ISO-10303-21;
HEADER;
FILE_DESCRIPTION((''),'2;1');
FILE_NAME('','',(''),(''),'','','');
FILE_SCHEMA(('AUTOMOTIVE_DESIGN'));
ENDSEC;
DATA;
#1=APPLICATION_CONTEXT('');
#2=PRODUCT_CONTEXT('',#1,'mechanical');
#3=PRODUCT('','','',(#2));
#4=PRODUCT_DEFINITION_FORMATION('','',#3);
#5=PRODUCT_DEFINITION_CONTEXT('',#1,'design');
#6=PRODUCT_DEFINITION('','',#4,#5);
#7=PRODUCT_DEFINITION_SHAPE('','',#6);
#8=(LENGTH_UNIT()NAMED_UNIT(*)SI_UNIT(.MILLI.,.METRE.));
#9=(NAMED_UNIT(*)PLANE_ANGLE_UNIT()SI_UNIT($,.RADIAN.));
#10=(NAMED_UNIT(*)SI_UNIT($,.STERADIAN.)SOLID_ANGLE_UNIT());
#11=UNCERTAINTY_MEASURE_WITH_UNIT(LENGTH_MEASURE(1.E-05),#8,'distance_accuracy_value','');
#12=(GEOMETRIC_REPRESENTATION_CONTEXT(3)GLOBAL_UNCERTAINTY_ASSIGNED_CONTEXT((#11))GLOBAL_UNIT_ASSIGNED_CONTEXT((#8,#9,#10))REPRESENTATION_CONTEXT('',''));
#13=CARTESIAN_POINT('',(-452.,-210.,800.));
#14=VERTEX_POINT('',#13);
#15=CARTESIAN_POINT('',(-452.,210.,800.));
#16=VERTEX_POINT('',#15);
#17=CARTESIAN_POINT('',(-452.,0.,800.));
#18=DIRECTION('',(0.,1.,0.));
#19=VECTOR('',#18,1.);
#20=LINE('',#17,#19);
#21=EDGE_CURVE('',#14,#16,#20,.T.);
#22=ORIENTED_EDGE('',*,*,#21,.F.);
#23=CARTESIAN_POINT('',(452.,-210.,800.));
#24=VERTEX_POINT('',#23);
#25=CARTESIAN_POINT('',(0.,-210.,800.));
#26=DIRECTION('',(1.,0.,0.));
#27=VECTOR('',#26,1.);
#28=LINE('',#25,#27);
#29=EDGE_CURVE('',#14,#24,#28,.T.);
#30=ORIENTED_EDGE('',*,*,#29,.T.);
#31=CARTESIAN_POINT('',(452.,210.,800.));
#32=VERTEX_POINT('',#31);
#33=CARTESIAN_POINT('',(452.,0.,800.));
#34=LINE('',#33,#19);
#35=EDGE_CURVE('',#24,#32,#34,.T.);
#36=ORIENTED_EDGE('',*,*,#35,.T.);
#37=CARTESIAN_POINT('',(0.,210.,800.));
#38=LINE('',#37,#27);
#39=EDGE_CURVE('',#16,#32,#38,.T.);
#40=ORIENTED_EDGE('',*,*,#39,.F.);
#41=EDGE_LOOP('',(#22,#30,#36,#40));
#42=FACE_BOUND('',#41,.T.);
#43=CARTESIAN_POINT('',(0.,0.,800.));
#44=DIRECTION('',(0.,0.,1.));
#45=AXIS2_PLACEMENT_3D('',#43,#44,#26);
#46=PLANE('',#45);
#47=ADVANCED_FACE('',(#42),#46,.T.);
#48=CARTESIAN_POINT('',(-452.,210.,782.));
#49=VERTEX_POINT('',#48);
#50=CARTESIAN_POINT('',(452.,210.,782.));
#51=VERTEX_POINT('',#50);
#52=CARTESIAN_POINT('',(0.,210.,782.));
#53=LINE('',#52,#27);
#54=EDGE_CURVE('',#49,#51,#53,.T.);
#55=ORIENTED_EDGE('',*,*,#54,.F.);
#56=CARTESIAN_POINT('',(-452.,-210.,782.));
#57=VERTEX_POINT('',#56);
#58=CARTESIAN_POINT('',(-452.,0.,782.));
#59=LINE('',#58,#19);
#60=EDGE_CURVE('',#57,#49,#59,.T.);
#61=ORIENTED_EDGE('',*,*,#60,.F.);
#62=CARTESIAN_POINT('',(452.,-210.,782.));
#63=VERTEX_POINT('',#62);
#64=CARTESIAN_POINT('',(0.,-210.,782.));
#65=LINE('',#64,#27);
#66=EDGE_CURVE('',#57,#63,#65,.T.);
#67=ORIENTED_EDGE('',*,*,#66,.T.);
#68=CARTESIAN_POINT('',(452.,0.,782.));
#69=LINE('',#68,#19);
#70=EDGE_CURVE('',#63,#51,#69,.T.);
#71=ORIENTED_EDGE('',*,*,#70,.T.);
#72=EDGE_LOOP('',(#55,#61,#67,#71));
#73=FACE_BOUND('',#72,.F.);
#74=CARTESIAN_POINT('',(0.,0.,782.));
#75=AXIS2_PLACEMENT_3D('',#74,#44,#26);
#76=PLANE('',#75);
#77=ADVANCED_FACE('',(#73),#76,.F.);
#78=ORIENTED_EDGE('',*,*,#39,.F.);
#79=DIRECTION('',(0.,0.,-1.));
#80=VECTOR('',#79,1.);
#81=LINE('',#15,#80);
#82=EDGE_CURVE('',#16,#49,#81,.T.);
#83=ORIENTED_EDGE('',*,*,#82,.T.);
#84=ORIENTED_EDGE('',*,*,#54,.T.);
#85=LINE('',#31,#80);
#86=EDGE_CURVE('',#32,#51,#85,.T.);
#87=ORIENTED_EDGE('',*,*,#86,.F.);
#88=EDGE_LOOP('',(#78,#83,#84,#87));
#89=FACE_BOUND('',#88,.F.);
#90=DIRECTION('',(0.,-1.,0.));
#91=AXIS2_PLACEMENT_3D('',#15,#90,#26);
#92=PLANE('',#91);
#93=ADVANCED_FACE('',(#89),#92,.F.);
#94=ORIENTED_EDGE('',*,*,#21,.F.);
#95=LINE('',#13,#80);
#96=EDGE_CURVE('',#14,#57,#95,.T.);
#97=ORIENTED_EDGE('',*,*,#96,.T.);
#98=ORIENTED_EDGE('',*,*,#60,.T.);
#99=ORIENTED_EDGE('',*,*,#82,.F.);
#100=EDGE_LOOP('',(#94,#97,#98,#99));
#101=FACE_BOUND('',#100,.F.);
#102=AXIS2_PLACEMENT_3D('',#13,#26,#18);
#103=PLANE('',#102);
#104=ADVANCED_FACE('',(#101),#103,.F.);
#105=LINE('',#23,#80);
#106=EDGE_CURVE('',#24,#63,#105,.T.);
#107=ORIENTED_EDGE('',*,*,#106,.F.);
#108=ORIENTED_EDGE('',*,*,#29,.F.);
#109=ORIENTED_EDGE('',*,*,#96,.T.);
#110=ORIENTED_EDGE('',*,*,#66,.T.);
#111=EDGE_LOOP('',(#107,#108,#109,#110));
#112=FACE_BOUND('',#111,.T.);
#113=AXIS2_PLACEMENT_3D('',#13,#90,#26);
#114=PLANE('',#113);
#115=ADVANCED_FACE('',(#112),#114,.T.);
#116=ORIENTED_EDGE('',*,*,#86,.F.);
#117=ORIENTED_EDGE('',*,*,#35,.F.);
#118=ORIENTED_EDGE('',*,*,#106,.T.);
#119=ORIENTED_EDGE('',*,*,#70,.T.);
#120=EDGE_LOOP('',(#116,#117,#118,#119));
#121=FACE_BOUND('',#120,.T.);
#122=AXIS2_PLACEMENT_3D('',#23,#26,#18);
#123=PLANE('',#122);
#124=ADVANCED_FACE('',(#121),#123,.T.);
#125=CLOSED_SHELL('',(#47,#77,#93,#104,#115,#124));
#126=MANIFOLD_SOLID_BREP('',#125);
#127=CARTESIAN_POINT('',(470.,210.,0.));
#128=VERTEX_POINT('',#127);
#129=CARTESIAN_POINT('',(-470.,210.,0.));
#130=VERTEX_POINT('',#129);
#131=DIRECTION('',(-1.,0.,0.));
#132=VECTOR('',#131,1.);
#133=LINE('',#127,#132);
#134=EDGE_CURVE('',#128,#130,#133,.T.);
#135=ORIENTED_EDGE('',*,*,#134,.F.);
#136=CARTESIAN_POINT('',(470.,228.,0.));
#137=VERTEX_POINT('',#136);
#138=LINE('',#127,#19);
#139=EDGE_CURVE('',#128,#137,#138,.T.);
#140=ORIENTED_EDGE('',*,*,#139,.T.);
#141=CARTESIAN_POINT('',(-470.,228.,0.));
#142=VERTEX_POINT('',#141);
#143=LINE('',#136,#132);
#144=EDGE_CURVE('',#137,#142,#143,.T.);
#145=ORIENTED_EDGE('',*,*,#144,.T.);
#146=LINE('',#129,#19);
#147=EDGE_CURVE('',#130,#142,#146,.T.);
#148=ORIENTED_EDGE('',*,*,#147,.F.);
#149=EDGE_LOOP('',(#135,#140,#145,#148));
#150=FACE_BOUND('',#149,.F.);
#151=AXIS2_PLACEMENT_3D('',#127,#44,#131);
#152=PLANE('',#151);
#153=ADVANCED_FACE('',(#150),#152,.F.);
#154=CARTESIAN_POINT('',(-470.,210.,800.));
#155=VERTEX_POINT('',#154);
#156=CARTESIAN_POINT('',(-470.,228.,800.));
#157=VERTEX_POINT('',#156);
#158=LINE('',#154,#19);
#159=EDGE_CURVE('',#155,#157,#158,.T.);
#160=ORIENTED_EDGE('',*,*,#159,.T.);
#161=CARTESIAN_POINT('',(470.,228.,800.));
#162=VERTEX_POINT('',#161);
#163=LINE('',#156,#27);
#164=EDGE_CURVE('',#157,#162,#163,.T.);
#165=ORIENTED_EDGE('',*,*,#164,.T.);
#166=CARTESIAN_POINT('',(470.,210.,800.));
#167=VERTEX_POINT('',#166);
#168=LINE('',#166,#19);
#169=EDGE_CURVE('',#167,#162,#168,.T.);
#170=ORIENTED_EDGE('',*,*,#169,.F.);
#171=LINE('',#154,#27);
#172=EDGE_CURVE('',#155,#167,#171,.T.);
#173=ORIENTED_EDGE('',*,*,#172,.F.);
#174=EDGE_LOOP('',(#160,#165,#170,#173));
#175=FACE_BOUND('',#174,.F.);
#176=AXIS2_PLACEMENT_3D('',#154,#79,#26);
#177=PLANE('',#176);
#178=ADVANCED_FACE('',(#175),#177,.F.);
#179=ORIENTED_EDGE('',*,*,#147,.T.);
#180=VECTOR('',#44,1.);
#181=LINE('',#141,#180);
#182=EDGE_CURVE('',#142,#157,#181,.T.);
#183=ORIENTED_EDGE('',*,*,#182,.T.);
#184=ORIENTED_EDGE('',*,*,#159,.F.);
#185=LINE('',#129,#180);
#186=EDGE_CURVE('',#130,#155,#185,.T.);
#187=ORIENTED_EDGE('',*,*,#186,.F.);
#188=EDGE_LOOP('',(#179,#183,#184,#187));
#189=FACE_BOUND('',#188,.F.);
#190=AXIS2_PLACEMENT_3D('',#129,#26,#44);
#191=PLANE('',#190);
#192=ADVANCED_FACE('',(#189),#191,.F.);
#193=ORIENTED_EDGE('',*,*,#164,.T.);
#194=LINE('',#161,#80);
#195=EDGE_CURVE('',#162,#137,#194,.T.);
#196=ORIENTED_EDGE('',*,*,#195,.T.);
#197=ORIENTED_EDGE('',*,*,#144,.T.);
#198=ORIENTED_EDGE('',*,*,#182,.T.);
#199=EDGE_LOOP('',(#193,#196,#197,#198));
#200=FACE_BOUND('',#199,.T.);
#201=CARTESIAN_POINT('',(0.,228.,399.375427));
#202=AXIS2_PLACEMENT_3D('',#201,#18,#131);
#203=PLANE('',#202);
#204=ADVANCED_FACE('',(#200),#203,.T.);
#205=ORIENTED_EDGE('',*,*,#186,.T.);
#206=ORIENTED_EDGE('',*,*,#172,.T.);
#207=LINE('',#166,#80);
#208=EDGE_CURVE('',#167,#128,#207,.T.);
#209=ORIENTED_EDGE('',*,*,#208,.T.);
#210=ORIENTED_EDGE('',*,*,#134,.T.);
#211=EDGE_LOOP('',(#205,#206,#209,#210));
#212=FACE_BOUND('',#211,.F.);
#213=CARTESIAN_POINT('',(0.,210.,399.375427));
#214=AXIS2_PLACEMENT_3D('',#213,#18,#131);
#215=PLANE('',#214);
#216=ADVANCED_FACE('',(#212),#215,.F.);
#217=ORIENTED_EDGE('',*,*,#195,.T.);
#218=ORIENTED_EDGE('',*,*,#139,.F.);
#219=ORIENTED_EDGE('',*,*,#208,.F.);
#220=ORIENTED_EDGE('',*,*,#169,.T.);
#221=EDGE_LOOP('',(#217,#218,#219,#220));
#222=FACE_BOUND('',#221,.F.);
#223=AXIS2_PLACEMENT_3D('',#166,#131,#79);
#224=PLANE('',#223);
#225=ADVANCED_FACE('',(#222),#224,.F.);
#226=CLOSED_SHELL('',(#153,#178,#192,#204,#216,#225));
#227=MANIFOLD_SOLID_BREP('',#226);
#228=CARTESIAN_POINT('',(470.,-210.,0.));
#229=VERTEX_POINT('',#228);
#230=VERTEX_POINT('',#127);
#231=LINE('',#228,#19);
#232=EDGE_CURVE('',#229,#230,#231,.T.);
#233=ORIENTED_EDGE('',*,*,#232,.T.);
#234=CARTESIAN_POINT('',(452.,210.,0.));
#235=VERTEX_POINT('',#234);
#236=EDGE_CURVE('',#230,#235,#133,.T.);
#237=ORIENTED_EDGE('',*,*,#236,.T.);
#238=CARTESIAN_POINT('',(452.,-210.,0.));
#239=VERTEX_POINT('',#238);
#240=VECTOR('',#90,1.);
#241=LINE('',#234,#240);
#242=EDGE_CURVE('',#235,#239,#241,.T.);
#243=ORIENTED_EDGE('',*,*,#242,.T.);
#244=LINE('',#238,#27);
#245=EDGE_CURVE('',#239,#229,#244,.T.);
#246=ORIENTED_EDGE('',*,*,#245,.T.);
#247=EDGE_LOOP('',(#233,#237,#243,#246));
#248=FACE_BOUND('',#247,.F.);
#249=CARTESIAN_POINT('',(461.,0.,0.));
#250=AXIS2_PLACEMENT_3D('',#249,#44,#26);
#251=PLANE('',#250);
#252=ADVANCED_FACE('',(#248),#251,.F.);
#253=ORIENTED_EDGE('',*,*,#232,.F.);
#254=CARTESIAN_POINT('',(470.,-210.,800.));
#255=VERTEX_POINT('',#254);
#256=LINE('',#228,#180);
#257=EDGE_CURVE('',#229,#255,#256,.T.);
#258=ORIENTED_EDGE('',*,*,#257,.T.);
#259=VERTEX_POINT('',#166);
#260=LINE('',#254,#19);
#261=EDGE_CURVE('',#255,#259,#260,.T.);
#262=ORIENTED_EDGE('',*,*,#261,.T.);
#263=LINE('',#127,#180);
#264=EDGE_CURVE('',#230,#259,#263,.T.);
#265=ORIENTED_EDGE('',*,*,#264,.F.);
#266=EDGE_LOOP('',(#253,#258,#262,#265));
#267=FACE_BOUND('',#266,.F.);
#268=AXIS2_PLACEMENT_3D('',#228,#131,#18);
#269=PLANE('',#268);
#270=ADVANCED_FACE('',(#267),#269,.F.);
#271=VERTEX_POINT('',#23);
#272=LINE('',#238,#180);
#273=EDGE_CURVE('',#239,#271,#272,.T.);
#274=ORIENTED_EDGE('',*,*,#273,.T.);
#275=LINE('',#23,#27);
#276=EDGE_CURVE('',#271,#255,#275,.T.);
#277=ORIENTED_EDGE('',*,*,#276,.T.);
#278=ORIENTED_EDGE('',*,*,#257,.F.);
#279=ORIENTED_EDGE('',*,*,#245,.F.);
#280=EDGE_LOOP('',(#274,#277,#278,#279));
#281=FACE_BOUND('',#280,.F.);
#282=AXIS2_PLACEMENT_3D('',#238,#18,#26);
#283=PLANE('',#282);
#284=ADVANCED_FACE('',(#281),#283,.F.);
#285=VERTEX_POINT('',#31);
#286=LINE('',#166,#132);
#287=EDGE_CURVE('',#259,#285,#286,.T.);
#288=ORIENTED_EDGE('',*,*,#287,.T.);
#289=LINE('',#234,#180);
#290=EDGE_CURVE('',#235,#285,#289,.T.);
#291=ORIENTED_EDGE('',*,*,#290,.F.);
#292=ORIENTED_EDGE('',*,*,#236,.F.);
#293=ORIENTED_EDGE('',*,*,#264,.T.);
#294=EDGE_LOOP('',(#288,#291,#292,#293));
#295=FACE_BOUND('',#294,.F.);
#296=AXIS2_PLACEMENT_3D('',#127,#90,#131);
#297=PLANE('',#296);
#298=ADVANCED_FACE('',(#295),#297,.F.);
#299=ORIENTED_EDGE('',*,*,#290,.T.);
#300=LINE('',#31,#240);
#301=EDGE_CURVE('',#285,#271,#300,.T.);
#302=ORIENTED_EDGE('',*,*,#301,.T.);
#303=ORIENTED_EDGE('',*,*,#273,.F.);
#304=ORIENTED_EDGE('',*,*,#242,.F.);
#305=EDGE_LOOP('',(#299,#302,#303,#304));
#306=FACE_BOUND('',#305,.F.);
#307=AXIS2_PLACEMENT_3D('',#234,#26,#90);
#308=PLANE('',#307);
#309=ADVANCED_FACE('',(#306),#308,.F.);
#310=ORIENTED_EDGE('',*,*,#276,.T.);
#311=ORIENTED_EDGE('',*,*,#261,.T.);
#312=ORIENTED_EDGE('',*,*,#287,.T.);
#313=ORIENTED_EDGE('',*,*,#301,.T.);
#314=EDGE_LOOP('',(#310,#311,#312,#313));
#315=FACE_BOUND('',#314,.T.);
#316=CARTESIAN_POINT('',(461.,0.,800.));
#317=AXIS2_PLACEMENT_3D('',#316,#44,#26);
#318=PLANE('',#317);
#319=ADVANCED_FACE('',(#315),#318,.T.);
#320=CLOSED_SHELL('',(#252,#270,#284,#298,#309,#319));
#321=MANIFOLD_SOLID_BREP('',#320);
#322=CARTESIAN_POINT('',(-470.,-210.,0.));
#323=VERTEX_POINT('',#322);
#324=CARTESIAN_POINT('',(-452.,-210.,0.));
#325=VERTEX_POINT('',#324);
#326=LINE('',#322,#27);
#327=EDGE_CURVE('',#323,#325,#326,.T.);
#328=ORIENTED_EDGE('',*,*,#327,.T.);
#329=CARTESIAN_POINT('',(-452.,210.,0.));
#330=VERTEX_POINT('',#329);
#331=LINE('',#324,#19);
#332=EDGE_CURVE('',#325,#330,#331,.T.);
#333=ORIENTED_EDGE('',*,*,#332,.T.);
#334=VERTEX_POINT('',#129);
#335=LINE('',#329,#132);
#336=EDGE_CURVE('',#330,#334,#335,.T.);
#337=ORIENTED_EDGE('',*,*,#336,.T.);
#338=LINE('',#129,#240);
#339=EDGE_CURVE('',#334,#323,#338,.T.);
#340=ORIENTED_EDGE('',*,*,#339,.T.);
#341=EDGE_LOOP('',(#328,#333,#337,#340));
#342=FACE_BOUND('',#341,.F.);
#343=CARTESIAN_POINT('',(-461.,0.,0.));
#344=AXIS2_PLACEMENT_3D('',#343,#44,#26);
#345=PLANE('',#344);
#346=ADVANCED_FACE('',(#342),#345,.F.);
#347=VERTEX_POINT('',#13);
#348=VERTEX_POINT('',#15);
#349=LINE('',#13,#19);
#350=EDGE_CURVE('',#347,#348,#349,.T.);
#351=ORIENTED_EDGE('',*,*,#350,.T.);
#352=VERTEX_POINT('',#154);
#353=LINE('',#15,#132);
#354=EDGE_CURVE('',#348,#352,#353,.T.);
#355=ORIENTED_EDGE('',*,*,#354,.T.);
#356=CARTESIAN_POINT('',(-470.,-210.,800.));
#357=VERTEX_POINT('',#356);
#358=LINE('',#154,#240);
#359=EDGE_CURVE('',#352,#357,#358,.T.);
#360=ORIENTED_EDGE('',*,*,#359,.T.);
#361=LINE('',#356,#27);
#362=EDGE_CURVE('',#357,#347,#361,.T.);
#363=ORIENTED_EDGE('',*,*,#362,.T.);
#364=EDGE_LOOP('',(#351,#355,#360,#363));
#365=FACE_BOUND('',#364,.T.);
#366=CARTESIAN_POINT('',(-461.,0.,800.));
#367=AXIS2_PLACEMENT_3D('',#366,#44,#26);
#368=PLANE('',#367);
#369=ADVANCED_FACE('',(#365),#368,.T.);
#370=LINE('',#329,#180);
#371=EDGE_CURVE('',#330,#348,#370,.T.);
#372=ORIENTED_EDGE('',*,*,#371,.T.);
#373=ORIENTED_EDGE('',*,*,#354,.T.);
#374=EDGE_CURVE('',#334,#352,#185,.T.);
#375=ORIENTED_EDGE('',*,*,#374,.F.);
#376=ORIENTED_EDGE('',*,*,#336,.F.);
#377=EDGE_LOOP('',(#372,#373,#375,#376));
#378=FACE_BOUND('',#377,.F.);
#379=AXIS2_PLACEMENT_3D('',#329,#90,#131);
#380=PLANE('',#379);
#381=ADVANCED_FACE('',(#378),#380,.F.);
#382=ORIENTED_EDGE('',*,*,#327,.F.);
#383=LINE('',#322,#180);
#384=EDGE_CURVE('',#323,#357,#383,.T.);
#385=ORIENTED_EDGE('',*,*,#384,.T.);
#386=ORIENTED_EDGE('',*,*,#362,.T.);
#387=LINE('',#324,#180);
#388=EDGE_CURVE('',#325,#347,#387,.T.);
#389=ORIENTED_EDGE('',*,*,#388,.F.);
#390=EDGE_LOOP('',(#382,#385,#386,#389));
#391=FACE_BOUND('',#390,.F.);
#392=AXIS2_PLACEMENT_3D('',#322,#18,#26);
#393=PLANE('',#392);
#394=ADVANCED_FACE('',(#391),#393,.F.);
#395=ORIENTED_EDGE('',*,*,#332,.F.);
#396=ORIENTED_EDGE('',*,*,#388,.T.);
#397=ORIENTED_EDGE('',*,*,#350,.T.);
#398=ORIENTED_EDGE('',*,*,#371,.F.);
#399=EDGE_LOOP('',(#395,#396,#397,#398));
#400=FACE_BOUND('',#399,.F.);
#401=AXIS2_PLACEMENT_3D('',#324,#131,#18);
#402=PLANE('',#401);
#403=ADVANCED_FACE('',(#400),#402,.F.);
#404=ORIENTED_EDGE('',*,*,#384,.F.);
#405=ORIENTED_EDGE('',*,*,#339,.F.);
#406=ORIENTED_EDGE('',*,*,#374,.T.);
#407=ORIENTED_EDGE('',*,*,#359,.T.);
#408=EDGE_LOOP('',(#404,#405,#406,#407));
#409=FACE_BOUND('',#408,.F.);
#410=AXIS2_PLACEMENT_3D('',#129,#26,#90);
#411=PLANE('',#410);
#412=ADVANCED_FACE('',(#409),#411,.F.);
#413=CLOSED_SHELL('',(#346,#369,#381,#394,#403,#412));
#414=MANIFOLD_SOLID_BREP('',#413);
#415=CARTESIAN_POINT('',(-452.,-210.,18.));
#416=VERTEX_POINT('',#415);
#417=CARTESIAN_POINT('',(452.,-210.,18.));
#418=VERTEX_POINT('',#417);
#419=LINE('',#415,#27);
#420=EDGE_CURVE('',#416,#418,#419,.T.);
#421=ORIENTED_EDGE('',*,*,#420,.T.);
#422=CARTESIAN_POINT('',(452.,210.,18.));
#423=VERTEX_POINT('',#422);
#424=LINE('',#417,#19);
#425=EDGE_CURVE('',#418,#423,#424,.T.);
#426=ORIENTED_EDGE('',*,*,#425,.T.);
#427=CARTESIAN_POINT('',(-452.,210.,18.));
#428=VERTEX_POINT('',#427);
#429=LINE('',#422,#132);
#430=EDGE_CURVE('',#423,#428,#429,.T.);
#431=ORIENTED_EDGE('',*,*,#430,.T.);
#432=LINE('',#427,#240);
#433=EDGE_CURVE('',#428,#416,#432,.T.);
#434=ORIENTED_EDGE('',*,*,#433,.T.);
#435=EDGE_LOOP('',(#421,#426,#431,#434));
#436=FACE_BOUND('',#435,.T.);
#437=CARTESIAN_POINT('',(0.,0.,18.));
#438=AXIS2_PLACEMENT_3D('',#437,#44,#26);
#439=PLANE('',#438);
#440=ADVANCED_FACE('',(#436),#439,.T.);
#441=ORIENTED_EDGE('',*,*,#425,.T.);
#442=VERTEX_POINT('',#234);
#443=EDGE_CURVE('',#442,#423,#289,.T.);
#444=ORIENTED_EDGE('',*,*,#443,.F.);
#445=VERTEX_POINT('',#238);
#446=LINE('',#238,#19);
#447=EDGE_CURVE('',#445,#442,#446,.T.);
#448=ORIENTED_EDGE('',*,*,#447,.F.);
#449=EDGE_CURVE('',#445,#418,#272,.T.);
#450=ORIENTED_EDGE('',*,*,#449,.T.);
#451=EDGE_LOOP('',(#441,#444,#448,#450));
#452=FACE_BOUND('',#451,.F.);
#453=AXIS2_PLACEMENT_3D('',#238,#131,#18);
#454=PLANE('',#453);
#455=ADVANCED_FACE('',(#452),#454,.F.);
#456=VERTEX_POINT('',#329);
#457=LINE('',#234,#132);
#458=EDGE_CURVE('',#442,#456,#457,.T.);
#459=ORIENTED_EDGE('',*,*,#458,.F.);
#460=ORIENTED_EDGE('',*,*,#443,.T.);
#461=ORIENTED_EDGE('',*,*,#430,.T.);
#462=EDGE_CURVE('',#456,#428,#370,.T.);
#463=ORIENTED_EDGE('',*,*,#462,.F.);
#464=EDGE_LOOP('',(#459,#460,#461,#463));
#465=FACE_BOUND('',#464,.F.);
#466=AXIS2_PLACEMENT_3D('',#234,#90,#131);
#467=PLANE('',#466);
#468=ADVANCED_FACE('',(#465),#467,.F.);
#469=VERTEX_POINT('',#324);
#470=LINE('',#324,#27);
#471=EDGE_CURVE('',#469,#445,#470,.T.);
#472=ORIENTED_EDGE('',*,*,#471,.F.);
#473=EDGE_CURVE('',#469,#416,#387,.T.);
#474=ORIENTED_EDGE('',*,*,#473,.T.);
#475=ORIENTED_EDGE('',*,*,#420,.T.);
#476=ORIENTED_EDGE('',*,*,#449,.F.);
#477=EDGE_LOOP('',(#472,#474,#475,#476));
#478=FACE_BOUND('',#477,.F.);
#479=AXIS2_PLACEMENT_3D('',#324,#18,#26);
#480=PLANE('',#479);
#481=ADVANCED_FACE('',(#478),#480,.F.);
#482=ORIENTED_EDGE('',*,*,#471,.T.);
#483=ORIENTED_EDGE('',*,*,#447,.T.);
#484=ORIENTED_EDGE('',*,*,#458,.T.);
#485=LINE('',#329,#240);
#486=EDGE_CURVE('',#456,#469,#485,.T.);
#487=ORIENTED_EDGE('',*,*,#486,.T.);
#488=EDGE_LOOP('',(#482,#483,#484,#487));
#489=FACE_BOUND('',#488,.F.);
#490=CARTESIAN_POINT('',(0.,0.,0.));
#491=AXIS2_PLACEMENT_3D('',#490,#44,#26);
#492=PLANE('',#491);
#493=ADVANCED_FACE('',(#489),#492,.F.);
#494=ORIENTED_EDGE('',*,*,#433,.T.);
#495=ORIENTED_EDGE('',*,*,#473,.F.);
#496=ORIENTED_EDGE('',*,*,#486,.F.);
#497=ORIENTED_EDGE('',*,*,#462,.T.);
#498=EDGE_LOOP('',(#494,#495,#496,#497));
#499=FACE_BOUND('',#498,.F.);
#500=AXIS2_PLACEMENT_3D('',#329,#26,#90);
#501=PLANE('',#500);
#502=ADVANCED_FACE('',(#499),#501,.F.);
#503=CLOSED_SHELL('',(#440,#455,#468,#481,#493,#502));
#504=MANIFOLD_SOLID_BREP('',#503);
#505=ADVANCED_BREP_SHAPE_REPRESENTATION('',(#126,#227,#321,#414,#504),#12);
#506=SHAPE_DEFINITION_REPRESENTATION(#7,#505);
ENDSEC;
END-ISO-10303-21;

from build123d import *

# Parameters (mm, degrees)
F1_DEPTH = 800
F2_W     = 904
F2_H     = 420
F3_DEPTH = 18
F5_DEPTH = 18
F6_W     = 904
F6_H     = 18
F7_DEPTH = 18


with BuildPart() as f1:
    # F0 (on Top) → F1 (new body)
    with BuildSketch(Plane.XY):
        Polygon((-470, -210), (-452, -210), (-452, -192), (-452, 192), (-452, 210), (-470, 210), align=None)
    extrude(amount=F1_DEPTH)


with BuildPart() as f1b:
    # F0 (on Top) → F1, piece 2 (new body)
    with BuildSketch(Plane.XY):
        Polygon((452, -210), (470, -210), (470, 210), (452, 210), (452, 192), (452, -192), align=None)
    extrude(amount=F1_DEPTH)


with BuildPart() as f3:
    # F2 (on face) → F3 (new body)
    with BuildSketch(Plane.XY.offset(800)):
        Rectangle(F2_W, F2_H)
    extrude(amount=-F3_DEPTH)


with BuildPart() as f5:
    # F4 (on face) → F5 (new body)
    with BuildSketch(Plane.XY):
        Polygon((-452, -192), (-452, -210), (452, -210), (452, 210), (-452, 210), (-452, 192), align=None)
    extrude(amount=F5_DEPTH)


with BuildPart() as f7:
    # F6 (on face) → F7 (new body)
    with BuildSketch(Plane(origin=(0, 210, 0), x_dir=(-1, 0, 0), z_dir=(0, 1, 0))):
        Polygon((-452, 800), (-470, 800), (-470, 0), (470, 0), (470, 800), (452, 800), (452, 782), (-452, 782), align=None)
        with Locations((0, 791)):
            Rectangle(F6_W, F6_H)
    extrude(amount=F7_DEPTH)


solid = Compound([f1.part, f1b.part, f3.part, f5.part, f7.part])
